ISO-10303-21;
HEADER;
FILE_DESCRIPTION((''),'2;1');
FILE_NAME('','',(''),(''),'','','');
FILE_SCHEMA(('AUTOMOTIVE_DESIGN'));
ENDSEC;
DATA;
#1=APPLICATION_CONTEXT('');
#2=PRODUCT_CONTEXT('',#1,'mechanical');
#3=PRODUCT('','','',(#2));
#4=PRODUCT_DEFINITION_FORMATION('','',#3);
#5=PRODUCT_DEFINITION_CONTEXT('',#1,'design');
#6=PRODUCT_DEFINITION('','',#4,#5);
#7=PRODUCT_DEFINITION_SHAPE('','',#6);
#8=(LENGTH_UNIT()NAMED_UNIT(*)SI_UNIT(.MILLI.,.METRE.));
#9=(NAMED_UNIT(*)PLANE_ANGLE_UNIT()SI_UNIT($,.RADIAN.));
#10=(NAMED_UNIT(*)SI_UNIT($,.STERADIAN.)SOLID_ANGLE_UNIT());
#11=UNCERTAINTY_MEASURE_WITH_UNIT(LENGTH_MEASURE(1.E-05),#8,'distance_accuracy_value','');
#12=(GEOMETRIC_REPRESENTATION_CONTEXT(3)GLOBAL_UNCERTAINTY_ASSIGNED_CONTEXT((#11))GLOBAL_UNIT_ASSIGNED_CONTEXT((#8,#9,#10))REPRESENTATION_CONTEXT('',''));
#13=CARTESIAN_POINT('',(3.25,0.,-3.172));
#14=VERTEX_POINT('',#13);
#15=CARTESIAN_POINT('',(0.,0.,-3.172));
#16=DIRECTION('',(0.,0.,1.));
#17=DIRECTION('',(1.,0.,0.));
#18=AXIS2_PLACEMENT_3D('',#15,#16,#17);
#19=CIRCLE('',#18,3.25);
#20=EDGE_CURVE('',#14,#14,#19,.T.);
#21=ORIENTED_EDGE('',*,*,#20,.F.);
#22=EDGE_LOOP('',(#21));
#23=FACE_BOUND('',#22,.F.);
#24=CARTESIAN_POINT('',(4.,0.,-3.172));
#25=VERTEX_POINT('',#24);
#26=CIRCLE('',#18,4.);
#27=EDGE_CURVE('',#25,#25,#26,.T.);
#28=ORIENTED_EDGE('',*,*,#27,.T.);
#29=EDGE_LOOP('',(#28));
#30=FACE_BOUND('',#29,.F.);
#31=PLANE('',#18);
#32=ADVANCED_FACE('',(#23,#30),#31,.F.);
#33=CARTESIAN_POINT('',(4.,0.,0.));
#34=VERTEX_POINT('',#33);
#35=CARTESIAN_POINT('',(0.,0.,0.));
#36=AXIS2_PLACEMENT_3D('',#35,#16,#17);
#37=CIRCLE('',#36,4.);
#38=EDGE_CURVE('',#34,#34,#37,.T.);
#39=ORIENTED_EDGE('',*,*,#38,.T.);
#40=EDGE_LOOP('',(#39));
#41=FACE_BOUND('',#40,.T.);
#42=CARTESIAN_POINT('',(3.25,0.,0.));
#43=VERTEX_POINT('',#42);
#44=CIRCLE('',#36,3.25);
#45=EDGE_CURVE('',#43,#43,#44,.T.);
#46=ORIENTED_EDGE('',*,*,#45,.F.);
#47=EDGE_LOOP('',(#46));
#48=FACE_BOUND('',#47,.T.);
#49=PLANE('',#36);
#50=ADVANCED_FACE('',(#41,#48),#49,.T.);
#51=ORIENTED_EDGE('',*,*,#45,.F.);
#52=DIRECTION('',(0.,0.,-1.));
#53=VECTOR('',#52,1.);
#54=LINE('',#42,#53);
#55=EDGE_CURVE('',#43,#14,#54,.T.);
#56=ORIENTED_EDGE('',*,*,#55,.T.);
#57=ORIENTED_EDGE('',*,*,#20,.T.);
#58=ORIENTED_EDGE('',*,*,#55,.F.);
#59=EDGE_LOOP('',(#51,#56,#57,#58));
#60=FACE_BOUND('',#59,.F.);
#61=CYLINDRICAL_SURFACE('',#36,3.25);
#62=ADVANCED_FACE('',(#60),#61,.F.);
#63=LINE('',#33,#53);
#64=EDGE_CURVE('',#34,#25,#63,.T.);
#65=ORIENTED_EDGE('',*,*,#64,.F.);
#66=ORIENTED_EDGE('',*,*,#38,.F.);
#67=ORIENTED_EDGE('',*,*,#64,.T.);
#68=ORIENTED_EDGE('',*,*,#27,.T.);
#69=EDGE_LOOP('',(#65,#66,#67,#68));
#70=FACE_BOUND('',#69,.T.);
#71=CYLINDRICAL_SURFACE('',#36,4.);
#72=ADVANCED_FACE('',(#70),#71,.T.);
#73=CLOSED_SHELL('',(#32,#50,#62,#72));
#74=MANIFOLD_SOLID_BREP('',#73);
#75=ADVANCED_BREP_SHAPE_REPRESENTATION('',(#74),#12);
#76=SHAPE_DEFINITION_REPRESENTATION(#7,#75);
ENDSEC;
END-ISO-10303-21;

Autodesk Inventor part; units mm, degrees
ref_plane "YZ Plane" through (0, 0, 0) normal (1, 0, 0) x (0, 1, 0)
ref_plane "XZ Plane" through (0, 0, 0) normal (0, 1, 0) x (-1, 0, 0)
sketch "Sketch1" plane through (0, 0, 0) normal (0, 0, 1) x (1, 0, 0)
  circle A0 centre (0, 0) radius 3.25
  circle A1 centre (0, 0) radius 4
  dimension "d0" = 6.5
  dimension "d1" = 8
ref_plane "Work Plane1" through (-8.6525, -8.6525, -3.172) normal (0, 0, 1) x (0.8448, 0.5351, 0)
extrude "Extrusion1" add sketch "Sketch1" against normal up to surface (3.172 mm away)
properties part number "Xfordring" material "Brass, Soft Yellow"
